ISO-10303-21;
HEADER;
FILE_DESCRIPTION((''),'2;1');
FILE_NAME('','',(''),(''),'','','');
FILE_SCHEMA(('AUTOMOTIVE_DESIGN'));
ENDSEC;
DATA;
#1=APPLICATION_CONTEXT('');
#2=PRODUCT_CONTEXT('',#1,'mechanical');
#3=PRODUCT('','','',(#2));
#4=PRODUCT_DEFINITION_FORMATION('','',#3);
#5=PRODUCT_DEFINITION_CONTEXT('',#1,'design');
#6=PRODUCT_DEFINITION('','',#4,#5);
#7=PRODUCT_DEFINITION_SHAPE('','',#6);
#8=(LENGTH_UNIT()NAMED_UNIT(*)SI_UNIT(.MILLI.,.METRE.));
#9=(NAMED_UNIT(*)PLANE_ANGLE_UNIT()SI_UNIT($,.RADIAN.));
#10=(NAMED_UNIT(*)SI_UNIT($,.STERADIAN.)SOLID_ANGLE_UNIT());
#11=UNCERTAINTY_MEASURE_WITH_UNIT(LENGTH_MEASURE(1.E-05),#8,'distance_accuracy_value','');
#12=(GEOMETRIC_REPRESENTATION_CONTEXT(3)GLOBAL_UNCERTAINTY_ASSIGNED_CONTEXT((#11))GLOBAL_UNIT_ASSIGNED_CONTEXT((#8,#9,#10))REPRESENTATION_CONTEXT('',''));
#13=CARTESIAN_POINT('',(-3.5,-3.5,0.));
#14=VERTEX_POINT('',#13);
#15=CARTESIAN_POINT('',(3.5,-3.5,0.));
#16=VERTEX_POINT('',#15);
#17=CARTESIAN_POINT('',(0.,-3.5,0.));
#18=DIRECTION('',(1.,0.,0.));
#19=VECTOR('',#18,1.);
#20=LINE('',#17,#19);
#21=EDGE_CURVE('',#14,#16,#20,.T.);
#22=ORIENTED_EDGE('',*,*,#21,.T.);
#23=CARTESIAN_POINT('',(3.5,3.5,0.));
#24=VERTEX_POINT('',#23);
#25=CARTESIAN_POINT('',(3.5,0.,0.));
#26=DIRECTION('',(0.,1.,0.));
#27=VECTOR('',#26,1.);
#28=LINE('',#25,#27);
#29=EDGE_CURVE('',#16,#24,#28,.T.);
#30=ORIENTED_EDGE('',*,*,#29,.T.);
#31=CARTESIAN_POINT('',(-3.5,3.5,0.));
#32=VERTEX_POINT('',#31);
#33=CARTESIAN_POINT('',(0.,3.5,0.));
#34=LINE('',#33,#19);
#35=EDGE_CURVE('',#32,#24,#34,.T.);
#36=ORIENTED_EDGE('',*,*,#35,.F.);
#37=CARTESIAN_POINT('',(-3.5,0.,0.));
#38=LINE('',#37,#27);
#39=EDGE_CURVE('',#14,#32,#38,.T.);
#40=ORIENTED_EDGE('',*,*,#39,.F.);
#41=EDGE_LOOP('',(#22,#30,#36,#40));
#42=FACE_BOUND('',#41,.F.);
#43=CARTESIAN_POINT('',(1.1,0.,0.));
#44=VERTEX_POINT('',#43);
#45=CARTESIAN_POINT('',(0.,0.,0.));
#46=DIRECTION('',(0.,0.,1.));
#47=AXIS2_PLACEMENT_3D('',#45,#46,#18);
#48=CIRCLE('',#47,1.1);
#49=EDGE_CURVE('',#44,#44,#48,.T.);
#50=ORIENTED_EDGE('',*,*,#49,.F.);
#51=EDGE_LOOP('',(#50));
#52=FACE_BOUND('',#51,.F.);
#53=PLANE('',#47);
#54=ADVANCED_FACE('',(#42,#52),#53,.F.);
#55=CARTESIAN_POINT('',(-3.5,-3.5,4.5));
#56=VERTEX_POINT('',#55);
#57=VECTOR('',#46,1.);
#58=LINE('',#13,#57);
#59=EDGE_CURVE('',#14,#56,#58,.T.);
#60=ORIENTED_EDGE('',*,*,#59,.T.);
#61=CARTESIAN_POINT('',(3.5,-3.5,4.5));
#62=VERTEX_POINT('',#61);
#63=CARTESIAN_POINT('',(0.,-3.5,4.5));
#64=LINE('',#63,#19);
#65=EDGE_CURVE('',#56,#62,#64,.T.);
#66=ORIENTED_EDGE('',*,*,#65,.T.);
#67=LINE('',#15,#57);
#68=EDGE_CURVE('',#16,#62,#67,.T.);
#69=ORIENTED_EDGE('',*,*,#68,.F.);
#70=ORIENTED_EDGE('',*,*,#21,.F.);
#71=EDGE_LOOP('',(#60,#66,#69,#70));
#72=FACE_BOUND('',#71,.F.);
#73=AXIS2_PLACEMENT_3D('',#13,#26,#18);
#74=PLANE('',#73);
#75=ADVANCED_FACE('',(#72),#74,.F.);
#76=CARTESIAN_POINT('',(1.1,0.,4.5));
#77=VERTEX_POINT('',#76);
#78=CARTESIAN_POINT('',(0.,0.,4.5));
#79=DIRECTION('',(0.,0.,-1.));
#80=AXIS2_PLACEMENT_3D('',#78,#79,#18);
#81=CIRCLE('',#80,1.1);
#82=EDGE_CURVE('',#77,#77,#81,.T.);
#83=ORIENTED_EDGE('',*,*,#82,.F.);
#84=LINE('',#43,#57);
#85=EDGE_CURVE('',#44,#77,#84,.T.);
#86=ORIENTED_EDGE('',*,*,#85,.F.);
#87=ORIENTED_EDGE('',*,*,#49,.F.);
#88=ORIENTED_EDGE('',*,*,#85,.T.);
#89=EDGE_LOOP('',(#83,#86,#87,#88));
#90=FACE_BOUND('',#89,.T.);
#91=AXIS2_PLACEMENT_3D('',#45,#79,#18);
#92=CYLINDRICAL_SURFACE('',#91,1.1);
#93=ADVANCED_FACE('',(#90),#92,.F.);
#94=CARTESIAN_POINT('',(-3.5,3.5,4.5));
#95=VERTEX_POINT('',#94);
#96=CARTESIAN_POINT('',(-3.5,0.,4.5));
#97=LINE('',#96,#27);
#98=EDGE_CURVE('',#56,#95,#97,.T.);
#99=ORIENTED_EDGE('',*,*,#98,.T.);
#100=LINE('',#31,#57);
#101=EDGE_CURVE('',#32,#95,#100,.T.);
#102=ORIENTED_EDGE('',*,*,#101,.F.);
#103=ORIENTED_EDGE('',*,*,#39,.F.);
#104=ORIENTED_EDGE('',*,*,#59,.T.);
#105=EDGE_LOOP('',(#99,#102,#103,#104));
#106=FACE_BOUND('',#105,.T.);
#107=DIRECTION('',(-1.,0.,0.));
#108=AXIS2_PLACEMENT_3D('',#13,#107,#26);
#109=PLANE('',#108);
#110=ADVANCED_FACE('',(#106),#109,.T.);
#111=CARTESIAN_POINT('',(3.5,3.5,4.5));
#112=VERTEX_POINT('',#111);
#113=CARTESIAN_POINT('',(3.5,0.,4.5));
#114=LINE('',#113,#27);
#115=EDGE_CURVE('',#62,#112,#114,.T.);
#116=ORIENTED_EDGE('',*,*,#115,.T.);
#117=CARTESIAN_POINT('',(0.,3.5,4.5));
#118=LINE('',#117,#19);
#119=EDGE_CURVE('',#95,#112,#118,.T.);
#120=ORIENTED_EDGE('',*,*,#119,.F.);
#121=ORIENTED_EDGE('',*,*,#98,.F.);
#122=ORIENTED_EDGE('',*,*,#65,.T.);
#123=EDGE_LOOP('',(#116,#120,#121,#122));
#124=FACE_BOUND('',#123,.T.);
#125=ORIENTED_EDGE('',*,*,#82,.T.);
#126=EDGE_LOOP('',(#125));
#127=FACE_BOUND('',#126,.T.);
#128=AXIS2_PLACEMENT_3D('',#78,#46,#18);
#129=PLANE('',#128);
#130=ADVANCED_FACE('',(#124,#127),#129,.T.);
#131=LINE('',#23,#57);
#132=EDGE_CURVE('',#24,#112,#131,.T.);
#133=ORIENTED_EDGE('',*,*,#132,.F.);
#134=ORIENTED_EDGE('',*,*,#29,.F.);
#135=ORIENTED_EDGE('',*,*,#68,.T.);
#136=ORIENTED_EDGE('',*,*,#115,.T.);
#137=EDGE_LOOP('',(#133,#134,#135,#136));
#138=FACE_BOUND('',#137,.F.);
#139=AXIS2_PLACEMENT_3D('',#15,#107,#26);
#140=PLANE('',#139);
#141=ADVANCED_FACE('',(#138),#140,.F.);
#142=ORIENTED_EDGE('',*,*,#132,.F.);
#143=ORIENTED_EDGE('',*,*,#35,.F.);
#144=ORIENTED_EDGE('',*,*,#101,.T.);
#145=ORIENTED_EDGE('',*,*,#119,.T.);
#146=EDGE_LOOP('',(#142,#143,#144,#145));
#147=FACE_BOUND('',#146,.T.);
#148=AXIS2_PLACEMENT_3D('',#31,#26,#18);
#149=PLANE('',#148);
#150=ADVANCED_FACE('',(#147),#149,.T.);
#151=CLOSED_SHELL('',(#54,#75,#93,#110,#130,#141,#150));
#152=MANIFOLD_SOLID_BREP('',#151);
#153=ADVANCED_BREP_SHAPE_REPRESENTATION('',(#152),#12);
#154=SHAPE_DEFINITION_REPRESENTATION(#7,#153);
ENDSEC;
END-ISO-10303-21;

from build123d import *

# Parameters (mm, degrees)
CYLINDER_R     = 1.1
CYLINDER_DEPTH = 10
BOX008_W       = 7
BOX008_H       = 7
BOX008_DEPTH   = 4.5


with BuildPart() as hole:
    # Cylinder → Cylinder (new body)
    with BuildSketch(Plane.XY):
        Circle(CYLINDER_R)
    extrude(amount=CYLINDER_DEPTH)


with BuildPart() as stand_hole_cut:
    # Box008 → Box008 (new body)
    with BuildSketch(Plane(origin=(-3.5, -3.5, 0), x_dir=(1, 0, 0), z_dir=(0, 0, 1))):
        with Locations((3.5, 3.5)):
            Rectangle(BOX008_W, BOX008_H)
    extrude(amount=BOX008_DEPTH)

    # Cut003002: cut hole
    add(hole.part, mode=Mode.SUBTRACT)


solid = stand_hole_cut.part
